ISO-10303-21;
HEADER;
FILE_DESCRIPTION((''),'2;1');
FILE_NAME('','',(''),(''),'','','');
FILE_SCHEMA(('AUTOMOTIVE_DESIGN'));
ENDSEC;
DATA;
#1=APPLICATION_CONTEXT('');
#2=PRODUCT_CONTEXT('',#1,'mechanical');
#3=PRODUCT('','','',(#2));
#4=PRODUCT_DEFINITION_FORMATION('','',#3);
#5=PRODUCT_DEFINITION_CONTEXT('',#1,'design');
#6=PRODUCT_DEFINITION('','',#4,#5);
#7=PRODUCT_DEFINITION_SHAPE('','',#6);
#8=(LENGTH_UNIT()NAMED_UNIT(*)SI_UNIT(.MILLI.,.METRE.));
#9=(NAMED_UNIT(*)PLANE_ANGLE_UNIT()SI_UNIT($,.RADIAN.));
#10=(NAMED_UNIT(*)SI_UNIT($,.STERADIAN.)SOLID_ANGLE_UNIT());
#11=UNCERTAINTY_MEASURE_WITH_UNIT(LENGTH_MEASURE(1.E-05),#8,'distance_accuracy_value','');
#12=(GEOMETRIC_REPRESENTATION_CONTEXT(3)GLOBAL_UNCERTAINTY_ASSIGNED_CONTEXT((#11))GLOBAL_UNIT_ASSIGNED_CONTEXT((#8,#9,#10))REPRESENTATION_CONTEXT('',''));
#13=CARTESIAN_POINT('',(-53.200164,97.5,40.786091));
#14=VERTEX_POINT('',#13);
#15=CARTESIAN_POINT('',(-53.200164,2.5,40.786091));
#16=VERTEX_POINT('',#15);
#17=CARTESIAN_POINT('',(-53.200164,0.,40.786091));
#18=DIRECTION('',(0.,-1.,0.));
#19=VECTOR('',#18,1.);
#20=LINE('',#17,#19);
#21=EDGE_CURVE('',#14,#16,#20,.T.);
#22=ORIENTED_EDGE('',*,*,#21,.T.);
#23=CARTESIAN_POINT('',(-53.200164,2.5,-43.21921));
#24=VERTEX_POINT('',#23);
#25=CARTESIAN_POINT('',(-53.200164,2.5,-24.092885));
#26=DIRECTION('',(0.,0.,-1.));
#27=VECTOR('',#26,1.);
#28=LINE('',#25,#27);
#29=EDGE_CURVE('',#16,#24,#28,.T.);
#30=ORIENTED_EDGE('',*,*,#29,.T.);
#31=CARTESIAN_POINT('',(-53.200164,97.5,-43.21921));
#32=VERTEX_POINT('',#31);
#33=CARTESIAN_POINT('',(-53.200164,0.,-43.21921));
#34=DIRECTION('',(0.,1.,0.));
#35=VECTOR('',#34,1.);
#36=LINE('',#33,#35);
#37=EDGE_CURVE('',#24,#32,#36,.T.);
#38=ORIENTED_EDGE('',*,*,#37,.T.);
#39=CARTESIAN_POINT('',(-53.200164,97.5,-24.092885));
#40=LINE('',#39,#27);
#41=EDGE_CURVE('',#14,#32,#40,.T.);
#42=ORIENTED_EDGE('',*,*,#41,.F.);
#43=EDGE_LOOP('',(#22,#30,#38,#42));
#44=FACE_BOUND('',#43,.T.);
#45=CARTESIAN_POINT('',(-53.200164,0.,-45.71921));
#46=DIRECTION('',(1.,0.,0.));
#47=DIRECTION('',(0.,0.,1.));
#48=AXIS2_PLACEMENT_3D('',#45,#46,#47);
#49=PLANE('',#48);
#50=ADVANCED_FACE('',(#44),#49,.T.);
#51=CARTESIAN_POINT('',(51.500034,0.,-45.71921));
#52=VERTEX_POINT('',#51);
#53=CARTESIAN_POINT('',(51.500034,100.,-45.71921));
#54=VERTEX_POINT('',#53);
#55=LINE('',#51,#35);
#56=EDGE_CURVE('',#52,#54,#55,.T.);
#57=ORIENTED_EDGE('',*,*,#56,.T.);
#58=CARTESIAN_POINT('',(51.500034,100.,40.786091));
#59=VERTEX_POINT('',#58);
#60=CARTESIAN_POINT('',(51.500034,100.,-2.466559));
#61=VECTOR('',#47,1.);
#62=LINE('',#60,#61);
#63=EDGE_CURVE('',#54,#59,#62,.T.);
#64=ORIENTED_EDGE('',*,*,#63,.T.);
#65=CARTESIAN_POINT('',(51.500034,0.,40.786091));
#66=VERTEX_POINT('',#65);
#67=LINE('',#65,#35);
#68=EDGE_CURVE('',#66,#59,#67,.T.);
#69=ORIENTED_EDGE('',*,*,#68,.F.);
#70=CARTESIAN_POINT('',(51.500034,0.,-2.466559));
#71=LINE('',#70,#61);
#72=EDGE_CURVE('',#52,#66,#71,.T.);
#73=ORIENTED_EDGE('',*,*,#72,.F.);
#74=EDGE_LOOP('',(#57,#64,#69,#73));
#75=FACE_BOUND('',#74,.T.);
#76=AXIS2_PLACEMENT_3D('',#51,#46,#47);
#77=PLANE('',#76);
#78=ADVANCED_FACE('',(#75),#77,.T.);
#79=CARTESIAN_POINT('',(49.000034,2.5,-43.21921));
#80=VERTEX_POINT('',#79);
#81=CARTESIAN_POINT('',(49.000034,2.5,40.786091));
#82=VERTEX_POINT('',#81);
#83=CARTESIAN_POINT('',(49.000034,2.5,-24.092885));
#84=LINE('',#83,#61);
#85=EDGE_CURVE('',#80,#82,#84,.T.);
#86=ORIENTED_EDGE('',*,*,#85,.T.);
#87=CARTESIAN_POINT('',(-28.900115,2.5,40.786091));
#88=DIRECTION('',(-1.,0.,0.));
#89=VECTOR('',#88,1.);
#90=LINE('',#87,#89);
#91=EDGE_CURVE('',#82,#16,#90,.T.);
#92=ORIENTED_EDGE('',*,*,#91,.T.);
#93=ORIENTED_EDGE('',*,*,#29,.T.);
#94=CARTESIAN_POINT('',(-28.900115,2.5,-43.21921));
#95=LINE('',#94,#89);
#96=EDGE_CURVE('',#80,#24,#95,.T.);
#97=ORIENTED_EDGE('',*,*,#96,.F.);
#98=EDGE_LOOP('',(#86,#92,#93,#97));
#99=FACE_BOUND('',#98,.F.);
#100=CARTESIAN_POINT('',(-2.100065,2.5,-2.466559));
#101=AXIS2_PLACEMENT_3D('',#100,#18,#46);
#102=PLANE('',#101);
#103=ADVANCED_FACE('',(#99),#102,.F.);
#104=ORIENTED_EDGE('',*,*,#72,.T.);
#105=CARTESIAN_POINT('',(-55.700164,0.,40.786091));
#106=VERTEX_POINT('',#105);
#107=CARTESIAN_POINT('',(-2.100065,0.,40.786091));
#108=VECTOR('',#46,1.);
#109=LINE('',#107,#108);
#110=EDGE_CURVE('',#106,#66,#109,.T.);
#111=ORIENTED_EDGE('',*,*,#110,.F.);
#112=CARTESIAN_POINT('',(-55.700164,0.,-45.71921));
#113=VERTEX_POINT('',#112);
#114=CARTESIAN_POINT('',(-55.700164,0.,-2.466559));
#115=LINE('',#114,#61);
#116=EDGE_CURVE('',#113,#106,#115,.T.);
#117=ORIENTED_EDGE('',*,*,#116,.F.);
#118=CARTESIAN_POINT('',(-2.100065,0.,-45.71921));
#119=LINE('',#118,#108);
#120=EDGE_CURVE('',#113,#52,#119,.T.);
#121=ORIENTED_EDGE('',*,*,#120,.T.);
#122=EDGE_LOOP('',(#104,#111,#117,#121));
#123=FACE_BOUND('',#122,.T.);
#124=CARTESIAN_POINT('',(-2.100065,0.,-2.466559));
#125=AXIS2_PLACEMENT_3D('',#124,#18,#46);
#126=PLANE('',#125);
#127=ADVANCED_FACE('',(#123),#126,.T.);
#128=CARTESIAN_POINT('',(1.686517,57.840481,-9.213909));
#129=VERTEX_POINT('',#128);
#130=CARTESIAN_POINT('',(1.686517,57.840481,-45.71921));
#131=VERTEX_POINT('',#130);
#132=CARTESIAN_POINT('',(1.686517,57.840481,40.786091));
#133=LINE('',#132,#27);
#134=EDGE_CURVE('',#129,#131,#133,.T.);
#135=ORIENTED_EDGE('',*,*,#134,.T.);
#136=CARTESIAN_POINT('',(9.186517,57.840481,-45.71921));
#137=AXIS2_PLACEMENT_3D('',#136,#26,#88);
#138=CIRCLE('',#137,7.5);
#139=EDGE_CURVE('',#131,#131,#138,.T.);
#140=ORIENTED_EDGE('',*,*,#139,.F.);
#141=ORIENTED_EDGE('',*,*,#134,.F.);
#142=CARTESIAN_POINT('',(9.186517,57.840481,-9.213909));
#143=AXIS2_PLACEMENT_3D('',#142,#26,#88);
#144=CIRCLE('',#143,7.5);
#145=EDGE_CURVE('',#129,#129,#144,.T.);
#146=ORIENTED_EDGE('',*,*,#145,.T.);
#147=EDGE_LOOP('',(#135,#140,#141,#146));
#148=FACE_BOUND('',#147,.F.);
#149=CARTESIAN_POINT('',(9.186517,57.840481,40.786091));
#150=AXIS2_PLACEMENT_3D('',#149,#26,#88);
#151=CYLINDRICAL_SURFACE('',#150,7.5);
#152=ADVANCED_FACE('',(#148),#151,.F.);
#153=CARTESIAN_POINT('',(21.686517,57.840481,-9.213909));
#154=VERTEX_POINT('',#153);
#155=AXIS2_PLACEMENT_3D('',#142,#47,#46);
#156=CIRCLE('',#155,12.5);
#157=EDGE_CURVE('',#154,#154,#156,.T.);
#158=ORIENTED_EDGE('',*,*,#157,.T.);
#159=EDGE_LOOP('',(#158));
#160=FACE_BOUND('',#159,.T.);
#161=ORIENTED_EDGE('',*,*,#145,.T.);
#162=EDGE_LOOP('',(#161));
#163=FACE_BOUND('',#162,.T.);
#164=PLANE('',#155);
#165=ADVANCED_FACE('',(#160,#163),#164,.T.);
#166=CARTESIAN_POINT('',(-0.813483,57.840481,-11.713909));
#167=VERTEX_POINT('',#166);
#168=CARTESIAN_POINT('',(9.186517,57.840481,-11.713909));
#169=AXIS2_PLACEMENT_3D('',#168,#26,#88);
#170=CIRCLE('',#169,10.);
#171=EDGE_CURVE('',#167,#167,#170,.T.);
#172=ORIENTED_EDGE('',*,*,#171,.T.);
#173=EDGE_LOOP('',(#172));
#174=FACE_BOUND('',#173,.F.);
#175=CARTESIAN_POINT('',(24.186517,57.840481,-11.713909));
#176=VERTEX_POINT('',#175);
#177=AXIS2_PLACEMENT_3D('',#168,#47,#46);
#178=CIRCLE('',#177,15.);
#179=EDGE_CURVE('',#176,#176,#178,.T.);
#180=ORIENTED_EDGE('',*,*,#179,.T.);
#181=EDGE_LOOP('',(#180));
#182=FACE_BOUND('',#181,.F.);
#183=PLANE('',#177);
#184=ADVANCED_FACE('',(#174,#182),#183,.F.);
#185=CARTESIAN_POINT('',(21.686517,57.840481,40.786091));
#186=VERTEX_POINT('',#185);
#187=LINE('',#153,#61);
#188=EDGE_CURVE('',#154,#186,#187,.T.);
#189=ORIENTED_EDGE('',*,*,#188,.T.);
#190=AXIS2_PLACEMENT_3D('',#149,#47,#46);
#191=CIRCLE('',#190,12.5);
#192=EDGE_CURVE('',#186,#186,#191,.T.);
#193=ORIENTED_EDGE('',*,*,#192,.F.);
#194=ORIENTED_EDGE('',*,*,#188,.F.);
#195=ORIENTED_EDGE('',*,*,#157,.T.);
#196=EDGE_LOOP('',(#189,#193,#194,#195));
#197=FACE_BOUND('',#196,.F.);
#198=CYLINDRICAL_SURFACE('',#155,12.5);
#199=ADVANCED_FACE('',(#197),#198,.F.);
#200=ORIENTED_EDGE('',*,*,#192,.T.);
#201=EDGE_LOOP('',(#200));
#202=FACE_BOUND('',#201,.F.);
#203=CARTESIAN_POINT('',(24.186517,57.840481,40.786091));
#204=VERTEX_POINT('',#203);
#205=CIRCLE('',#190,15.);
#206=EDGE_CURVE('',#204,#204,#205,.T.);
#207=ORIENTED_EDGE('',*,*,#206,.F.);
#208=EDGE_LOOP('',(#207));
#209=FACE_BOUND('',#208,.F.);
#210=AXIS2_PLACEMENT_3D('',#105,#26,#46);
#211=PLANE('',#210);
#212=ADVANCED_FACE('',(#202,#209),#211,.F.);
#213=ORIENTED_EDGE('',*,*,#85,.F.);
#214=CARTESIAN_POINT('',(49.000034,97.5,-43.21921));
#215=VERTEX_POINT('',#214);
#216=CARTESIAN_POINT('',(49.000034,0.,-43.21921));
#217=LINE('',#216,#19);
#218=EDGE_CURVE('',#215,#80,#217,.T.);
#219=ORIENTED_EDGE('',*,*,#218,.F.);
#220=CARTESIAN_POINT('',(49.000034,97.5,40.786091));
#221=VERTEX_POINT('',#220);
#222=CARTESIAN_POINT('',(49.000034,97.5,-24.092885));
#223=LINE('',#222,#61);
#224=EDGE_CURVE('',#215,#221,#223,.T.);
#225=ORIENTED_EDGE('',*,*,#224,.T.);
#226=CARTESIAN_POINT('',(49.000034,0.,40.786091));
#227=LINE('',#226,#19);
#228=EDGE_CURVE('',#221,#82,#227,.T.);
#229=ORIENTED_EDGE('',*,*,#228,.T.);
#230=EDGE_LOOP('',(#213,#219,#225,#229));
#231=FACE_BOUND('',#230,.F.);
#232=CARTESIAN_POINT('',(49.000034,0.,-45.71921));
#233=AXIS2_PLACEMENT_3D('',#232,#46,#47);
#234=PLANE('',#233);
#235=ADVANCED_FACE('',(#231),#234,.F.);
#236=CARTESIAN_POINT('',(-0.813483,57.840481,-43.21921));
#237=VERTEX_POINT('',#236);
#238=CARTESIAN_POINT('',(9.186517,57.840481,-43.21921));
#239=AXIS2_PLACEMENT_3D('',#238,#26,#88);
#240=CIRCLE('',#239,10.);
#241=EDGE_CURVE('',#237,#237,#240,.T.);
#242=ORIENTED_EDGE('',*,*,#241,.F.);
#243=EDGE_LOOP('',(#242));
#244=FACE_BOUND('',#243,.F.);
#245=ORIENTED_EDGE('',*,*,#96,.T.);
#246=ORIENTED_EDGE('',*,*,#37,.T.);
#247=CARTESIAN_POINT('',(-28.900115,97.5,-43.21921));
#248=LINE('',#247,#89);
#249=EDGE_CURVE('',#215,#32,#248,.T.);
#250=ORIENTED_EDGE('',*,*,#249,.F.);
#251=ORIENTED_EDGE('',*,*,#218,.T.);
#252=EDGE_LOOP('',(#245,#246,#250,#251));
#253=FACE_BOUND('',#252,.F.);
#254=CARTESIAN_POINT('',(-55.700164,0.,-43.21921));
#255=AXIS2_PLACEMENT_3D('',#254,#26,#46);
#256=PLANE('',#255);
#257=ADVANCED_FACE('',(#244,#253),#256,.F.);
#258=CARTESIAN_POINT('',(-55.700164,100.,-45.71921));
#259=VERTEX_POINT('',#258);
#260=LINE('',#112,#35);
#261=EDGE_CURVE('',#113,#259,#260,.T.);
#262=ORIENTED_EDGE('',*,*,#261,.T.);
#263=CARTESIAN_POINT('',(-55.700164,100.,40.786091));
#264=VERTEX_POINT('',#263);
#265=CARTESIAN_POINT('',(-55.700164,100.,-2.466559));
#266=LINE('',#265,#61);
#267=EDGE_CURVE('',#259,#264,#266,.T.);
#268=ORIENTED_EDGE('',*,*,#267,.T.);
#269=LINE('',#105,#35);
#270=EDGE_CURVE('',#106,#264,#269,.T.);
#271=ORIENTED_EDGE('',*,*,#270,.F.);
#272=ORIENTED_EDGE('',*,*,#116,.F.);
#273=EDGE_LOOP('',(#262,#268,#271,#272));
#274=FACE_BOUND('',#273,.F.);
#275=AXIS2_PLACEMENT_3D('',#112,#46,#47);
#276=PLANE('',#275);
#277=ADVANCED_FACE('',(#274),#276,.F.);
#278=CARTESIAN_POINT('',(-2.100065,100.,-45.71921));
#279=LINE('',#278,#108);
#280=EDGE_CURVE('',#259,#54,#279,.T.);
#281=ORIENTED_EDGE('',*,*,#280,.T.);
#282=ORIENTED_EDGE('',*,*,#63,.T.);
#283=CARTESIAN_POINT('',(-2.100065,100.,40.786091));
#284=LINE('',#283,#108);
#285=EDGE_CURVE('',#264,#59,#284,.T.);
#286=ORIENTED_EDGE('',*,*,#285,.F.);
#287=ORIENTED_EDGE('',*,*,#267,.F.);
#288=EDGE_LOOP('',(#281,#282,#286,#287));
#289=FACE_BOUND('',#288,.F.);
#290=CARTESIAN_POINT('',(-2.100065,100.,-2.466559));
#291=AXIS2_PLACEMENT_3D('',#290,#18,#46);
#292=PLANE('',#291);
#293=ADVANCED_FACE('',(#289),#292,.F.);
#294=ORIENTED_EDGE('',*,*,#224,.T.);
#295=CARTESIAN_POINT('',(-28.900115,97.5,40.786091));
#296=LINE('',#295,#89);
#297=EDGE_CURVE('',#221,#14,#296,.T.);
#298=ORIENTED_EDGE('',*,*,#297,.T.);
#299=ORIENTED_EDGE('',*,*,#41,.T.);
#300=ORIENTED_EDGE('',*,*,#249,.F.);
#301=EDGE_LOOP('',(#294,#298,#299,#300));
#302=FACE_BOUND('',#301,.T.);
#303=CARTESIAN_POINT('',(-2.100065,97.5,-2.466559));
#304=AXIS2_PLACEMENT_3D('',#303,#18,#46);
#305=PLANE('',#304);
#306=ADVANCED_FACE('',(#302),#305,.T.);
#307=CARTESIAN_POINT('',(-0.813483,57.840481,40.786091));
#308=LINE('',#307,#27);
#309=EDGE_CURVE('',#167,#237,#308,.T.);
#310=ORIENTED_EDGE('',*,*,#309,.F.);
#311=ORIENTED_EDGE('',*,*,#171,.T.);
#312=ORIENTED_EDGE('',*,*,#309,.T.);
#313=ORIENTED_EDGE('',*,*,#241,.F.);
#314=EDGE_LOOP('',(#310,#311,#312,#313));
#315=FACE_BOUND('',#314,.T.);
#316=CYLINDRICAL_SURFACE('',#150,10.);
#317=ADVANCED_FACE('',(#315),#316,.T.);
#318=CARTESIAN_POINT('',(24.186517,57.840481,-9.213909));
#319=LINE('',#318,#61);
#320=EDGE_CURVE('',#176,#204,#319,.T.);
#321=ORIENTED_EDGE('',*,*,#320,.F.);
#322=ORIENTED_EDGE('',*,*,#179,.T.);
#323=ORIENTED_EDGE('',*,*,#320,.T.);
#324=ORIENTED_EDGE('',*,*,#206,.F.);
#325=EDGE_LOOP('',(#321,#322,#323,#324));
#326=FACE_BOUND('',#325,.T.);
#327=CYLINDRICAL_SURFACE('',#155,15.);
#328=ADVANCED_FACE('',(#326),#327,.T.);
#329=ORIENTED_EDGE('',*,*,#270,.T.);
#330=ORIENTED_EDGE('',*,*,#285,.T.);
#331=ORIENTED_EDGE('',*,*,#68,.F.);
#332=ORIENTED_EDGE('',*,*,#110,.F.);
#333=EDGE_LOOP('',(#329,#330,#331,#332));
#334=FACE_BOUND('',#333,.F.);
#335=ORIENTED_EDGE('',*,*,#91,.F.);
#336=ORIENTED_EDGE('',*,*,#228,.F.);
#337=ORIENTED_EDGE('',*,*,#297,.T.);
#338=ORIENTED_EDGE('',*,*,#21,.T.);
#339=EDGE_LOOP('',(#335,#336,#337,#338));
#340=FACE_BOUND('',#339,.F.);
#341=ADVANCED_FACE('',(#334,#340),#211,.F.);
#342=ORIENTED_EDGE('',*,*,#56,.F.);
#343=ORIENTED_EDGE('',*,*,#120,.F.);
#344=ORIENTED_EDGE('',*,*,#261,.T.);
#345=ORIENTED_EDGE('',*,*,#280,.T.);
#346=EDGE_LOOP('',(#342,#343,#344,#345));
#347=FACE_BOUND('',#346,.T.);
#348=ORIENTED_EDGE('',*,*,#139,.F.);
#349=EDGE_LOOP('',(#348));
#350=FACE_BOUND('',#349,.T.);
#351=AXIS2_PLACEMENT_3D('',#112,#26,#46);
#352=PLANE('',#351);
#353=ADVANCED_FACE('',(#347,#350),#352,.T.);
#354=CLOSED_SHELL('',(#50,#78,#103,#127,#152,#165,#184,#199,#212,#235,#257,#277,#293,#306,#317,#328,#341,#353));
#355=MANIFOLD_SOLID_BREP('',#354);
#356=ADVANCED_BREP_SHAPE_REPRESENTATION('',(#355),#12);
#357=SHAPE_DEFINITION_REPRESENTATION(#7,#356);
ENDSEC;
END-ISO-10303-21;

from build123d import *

# Parameters (mm, degrees)
F0_W           = 107.2001978755
F0_H           = 86.5053012967
F1_DEPTH       = 100
F3_D           = 15
F3_CBORE_D     = 25
F3_CBORE_DEPTH = 50
F4_T           = -2.5


with BuildPart() as f1:
    # F0 (on Front) → F1 (new body)
    with BuildSketch(Plane.XZ):
        with Locations((-2.1000653505, -2.4665594101)):
            Rectangle(F0_W, F0_H)
    extrude(amount=-F1_DEPTH)

    # F3 (through all)
    with Locations(Plane.XY.offset(40.7860912383)):
        with Locations((9.1865165159, 57.8404814005)):
            CounterBoreHole(F3_D / 2, F3_CBORE_D / 2, F3_CBORE_DEPTH)

    # F4
    f4_openings = [f1.faces().sort_by_distance(p)[0] for p in [
        (-2.641683, 49.623753, 40.786091),
    ]]
    offset(amount=F4_T, openings=f4_openings, kind=Kind.INTERSECTION)


solid = f1.part
